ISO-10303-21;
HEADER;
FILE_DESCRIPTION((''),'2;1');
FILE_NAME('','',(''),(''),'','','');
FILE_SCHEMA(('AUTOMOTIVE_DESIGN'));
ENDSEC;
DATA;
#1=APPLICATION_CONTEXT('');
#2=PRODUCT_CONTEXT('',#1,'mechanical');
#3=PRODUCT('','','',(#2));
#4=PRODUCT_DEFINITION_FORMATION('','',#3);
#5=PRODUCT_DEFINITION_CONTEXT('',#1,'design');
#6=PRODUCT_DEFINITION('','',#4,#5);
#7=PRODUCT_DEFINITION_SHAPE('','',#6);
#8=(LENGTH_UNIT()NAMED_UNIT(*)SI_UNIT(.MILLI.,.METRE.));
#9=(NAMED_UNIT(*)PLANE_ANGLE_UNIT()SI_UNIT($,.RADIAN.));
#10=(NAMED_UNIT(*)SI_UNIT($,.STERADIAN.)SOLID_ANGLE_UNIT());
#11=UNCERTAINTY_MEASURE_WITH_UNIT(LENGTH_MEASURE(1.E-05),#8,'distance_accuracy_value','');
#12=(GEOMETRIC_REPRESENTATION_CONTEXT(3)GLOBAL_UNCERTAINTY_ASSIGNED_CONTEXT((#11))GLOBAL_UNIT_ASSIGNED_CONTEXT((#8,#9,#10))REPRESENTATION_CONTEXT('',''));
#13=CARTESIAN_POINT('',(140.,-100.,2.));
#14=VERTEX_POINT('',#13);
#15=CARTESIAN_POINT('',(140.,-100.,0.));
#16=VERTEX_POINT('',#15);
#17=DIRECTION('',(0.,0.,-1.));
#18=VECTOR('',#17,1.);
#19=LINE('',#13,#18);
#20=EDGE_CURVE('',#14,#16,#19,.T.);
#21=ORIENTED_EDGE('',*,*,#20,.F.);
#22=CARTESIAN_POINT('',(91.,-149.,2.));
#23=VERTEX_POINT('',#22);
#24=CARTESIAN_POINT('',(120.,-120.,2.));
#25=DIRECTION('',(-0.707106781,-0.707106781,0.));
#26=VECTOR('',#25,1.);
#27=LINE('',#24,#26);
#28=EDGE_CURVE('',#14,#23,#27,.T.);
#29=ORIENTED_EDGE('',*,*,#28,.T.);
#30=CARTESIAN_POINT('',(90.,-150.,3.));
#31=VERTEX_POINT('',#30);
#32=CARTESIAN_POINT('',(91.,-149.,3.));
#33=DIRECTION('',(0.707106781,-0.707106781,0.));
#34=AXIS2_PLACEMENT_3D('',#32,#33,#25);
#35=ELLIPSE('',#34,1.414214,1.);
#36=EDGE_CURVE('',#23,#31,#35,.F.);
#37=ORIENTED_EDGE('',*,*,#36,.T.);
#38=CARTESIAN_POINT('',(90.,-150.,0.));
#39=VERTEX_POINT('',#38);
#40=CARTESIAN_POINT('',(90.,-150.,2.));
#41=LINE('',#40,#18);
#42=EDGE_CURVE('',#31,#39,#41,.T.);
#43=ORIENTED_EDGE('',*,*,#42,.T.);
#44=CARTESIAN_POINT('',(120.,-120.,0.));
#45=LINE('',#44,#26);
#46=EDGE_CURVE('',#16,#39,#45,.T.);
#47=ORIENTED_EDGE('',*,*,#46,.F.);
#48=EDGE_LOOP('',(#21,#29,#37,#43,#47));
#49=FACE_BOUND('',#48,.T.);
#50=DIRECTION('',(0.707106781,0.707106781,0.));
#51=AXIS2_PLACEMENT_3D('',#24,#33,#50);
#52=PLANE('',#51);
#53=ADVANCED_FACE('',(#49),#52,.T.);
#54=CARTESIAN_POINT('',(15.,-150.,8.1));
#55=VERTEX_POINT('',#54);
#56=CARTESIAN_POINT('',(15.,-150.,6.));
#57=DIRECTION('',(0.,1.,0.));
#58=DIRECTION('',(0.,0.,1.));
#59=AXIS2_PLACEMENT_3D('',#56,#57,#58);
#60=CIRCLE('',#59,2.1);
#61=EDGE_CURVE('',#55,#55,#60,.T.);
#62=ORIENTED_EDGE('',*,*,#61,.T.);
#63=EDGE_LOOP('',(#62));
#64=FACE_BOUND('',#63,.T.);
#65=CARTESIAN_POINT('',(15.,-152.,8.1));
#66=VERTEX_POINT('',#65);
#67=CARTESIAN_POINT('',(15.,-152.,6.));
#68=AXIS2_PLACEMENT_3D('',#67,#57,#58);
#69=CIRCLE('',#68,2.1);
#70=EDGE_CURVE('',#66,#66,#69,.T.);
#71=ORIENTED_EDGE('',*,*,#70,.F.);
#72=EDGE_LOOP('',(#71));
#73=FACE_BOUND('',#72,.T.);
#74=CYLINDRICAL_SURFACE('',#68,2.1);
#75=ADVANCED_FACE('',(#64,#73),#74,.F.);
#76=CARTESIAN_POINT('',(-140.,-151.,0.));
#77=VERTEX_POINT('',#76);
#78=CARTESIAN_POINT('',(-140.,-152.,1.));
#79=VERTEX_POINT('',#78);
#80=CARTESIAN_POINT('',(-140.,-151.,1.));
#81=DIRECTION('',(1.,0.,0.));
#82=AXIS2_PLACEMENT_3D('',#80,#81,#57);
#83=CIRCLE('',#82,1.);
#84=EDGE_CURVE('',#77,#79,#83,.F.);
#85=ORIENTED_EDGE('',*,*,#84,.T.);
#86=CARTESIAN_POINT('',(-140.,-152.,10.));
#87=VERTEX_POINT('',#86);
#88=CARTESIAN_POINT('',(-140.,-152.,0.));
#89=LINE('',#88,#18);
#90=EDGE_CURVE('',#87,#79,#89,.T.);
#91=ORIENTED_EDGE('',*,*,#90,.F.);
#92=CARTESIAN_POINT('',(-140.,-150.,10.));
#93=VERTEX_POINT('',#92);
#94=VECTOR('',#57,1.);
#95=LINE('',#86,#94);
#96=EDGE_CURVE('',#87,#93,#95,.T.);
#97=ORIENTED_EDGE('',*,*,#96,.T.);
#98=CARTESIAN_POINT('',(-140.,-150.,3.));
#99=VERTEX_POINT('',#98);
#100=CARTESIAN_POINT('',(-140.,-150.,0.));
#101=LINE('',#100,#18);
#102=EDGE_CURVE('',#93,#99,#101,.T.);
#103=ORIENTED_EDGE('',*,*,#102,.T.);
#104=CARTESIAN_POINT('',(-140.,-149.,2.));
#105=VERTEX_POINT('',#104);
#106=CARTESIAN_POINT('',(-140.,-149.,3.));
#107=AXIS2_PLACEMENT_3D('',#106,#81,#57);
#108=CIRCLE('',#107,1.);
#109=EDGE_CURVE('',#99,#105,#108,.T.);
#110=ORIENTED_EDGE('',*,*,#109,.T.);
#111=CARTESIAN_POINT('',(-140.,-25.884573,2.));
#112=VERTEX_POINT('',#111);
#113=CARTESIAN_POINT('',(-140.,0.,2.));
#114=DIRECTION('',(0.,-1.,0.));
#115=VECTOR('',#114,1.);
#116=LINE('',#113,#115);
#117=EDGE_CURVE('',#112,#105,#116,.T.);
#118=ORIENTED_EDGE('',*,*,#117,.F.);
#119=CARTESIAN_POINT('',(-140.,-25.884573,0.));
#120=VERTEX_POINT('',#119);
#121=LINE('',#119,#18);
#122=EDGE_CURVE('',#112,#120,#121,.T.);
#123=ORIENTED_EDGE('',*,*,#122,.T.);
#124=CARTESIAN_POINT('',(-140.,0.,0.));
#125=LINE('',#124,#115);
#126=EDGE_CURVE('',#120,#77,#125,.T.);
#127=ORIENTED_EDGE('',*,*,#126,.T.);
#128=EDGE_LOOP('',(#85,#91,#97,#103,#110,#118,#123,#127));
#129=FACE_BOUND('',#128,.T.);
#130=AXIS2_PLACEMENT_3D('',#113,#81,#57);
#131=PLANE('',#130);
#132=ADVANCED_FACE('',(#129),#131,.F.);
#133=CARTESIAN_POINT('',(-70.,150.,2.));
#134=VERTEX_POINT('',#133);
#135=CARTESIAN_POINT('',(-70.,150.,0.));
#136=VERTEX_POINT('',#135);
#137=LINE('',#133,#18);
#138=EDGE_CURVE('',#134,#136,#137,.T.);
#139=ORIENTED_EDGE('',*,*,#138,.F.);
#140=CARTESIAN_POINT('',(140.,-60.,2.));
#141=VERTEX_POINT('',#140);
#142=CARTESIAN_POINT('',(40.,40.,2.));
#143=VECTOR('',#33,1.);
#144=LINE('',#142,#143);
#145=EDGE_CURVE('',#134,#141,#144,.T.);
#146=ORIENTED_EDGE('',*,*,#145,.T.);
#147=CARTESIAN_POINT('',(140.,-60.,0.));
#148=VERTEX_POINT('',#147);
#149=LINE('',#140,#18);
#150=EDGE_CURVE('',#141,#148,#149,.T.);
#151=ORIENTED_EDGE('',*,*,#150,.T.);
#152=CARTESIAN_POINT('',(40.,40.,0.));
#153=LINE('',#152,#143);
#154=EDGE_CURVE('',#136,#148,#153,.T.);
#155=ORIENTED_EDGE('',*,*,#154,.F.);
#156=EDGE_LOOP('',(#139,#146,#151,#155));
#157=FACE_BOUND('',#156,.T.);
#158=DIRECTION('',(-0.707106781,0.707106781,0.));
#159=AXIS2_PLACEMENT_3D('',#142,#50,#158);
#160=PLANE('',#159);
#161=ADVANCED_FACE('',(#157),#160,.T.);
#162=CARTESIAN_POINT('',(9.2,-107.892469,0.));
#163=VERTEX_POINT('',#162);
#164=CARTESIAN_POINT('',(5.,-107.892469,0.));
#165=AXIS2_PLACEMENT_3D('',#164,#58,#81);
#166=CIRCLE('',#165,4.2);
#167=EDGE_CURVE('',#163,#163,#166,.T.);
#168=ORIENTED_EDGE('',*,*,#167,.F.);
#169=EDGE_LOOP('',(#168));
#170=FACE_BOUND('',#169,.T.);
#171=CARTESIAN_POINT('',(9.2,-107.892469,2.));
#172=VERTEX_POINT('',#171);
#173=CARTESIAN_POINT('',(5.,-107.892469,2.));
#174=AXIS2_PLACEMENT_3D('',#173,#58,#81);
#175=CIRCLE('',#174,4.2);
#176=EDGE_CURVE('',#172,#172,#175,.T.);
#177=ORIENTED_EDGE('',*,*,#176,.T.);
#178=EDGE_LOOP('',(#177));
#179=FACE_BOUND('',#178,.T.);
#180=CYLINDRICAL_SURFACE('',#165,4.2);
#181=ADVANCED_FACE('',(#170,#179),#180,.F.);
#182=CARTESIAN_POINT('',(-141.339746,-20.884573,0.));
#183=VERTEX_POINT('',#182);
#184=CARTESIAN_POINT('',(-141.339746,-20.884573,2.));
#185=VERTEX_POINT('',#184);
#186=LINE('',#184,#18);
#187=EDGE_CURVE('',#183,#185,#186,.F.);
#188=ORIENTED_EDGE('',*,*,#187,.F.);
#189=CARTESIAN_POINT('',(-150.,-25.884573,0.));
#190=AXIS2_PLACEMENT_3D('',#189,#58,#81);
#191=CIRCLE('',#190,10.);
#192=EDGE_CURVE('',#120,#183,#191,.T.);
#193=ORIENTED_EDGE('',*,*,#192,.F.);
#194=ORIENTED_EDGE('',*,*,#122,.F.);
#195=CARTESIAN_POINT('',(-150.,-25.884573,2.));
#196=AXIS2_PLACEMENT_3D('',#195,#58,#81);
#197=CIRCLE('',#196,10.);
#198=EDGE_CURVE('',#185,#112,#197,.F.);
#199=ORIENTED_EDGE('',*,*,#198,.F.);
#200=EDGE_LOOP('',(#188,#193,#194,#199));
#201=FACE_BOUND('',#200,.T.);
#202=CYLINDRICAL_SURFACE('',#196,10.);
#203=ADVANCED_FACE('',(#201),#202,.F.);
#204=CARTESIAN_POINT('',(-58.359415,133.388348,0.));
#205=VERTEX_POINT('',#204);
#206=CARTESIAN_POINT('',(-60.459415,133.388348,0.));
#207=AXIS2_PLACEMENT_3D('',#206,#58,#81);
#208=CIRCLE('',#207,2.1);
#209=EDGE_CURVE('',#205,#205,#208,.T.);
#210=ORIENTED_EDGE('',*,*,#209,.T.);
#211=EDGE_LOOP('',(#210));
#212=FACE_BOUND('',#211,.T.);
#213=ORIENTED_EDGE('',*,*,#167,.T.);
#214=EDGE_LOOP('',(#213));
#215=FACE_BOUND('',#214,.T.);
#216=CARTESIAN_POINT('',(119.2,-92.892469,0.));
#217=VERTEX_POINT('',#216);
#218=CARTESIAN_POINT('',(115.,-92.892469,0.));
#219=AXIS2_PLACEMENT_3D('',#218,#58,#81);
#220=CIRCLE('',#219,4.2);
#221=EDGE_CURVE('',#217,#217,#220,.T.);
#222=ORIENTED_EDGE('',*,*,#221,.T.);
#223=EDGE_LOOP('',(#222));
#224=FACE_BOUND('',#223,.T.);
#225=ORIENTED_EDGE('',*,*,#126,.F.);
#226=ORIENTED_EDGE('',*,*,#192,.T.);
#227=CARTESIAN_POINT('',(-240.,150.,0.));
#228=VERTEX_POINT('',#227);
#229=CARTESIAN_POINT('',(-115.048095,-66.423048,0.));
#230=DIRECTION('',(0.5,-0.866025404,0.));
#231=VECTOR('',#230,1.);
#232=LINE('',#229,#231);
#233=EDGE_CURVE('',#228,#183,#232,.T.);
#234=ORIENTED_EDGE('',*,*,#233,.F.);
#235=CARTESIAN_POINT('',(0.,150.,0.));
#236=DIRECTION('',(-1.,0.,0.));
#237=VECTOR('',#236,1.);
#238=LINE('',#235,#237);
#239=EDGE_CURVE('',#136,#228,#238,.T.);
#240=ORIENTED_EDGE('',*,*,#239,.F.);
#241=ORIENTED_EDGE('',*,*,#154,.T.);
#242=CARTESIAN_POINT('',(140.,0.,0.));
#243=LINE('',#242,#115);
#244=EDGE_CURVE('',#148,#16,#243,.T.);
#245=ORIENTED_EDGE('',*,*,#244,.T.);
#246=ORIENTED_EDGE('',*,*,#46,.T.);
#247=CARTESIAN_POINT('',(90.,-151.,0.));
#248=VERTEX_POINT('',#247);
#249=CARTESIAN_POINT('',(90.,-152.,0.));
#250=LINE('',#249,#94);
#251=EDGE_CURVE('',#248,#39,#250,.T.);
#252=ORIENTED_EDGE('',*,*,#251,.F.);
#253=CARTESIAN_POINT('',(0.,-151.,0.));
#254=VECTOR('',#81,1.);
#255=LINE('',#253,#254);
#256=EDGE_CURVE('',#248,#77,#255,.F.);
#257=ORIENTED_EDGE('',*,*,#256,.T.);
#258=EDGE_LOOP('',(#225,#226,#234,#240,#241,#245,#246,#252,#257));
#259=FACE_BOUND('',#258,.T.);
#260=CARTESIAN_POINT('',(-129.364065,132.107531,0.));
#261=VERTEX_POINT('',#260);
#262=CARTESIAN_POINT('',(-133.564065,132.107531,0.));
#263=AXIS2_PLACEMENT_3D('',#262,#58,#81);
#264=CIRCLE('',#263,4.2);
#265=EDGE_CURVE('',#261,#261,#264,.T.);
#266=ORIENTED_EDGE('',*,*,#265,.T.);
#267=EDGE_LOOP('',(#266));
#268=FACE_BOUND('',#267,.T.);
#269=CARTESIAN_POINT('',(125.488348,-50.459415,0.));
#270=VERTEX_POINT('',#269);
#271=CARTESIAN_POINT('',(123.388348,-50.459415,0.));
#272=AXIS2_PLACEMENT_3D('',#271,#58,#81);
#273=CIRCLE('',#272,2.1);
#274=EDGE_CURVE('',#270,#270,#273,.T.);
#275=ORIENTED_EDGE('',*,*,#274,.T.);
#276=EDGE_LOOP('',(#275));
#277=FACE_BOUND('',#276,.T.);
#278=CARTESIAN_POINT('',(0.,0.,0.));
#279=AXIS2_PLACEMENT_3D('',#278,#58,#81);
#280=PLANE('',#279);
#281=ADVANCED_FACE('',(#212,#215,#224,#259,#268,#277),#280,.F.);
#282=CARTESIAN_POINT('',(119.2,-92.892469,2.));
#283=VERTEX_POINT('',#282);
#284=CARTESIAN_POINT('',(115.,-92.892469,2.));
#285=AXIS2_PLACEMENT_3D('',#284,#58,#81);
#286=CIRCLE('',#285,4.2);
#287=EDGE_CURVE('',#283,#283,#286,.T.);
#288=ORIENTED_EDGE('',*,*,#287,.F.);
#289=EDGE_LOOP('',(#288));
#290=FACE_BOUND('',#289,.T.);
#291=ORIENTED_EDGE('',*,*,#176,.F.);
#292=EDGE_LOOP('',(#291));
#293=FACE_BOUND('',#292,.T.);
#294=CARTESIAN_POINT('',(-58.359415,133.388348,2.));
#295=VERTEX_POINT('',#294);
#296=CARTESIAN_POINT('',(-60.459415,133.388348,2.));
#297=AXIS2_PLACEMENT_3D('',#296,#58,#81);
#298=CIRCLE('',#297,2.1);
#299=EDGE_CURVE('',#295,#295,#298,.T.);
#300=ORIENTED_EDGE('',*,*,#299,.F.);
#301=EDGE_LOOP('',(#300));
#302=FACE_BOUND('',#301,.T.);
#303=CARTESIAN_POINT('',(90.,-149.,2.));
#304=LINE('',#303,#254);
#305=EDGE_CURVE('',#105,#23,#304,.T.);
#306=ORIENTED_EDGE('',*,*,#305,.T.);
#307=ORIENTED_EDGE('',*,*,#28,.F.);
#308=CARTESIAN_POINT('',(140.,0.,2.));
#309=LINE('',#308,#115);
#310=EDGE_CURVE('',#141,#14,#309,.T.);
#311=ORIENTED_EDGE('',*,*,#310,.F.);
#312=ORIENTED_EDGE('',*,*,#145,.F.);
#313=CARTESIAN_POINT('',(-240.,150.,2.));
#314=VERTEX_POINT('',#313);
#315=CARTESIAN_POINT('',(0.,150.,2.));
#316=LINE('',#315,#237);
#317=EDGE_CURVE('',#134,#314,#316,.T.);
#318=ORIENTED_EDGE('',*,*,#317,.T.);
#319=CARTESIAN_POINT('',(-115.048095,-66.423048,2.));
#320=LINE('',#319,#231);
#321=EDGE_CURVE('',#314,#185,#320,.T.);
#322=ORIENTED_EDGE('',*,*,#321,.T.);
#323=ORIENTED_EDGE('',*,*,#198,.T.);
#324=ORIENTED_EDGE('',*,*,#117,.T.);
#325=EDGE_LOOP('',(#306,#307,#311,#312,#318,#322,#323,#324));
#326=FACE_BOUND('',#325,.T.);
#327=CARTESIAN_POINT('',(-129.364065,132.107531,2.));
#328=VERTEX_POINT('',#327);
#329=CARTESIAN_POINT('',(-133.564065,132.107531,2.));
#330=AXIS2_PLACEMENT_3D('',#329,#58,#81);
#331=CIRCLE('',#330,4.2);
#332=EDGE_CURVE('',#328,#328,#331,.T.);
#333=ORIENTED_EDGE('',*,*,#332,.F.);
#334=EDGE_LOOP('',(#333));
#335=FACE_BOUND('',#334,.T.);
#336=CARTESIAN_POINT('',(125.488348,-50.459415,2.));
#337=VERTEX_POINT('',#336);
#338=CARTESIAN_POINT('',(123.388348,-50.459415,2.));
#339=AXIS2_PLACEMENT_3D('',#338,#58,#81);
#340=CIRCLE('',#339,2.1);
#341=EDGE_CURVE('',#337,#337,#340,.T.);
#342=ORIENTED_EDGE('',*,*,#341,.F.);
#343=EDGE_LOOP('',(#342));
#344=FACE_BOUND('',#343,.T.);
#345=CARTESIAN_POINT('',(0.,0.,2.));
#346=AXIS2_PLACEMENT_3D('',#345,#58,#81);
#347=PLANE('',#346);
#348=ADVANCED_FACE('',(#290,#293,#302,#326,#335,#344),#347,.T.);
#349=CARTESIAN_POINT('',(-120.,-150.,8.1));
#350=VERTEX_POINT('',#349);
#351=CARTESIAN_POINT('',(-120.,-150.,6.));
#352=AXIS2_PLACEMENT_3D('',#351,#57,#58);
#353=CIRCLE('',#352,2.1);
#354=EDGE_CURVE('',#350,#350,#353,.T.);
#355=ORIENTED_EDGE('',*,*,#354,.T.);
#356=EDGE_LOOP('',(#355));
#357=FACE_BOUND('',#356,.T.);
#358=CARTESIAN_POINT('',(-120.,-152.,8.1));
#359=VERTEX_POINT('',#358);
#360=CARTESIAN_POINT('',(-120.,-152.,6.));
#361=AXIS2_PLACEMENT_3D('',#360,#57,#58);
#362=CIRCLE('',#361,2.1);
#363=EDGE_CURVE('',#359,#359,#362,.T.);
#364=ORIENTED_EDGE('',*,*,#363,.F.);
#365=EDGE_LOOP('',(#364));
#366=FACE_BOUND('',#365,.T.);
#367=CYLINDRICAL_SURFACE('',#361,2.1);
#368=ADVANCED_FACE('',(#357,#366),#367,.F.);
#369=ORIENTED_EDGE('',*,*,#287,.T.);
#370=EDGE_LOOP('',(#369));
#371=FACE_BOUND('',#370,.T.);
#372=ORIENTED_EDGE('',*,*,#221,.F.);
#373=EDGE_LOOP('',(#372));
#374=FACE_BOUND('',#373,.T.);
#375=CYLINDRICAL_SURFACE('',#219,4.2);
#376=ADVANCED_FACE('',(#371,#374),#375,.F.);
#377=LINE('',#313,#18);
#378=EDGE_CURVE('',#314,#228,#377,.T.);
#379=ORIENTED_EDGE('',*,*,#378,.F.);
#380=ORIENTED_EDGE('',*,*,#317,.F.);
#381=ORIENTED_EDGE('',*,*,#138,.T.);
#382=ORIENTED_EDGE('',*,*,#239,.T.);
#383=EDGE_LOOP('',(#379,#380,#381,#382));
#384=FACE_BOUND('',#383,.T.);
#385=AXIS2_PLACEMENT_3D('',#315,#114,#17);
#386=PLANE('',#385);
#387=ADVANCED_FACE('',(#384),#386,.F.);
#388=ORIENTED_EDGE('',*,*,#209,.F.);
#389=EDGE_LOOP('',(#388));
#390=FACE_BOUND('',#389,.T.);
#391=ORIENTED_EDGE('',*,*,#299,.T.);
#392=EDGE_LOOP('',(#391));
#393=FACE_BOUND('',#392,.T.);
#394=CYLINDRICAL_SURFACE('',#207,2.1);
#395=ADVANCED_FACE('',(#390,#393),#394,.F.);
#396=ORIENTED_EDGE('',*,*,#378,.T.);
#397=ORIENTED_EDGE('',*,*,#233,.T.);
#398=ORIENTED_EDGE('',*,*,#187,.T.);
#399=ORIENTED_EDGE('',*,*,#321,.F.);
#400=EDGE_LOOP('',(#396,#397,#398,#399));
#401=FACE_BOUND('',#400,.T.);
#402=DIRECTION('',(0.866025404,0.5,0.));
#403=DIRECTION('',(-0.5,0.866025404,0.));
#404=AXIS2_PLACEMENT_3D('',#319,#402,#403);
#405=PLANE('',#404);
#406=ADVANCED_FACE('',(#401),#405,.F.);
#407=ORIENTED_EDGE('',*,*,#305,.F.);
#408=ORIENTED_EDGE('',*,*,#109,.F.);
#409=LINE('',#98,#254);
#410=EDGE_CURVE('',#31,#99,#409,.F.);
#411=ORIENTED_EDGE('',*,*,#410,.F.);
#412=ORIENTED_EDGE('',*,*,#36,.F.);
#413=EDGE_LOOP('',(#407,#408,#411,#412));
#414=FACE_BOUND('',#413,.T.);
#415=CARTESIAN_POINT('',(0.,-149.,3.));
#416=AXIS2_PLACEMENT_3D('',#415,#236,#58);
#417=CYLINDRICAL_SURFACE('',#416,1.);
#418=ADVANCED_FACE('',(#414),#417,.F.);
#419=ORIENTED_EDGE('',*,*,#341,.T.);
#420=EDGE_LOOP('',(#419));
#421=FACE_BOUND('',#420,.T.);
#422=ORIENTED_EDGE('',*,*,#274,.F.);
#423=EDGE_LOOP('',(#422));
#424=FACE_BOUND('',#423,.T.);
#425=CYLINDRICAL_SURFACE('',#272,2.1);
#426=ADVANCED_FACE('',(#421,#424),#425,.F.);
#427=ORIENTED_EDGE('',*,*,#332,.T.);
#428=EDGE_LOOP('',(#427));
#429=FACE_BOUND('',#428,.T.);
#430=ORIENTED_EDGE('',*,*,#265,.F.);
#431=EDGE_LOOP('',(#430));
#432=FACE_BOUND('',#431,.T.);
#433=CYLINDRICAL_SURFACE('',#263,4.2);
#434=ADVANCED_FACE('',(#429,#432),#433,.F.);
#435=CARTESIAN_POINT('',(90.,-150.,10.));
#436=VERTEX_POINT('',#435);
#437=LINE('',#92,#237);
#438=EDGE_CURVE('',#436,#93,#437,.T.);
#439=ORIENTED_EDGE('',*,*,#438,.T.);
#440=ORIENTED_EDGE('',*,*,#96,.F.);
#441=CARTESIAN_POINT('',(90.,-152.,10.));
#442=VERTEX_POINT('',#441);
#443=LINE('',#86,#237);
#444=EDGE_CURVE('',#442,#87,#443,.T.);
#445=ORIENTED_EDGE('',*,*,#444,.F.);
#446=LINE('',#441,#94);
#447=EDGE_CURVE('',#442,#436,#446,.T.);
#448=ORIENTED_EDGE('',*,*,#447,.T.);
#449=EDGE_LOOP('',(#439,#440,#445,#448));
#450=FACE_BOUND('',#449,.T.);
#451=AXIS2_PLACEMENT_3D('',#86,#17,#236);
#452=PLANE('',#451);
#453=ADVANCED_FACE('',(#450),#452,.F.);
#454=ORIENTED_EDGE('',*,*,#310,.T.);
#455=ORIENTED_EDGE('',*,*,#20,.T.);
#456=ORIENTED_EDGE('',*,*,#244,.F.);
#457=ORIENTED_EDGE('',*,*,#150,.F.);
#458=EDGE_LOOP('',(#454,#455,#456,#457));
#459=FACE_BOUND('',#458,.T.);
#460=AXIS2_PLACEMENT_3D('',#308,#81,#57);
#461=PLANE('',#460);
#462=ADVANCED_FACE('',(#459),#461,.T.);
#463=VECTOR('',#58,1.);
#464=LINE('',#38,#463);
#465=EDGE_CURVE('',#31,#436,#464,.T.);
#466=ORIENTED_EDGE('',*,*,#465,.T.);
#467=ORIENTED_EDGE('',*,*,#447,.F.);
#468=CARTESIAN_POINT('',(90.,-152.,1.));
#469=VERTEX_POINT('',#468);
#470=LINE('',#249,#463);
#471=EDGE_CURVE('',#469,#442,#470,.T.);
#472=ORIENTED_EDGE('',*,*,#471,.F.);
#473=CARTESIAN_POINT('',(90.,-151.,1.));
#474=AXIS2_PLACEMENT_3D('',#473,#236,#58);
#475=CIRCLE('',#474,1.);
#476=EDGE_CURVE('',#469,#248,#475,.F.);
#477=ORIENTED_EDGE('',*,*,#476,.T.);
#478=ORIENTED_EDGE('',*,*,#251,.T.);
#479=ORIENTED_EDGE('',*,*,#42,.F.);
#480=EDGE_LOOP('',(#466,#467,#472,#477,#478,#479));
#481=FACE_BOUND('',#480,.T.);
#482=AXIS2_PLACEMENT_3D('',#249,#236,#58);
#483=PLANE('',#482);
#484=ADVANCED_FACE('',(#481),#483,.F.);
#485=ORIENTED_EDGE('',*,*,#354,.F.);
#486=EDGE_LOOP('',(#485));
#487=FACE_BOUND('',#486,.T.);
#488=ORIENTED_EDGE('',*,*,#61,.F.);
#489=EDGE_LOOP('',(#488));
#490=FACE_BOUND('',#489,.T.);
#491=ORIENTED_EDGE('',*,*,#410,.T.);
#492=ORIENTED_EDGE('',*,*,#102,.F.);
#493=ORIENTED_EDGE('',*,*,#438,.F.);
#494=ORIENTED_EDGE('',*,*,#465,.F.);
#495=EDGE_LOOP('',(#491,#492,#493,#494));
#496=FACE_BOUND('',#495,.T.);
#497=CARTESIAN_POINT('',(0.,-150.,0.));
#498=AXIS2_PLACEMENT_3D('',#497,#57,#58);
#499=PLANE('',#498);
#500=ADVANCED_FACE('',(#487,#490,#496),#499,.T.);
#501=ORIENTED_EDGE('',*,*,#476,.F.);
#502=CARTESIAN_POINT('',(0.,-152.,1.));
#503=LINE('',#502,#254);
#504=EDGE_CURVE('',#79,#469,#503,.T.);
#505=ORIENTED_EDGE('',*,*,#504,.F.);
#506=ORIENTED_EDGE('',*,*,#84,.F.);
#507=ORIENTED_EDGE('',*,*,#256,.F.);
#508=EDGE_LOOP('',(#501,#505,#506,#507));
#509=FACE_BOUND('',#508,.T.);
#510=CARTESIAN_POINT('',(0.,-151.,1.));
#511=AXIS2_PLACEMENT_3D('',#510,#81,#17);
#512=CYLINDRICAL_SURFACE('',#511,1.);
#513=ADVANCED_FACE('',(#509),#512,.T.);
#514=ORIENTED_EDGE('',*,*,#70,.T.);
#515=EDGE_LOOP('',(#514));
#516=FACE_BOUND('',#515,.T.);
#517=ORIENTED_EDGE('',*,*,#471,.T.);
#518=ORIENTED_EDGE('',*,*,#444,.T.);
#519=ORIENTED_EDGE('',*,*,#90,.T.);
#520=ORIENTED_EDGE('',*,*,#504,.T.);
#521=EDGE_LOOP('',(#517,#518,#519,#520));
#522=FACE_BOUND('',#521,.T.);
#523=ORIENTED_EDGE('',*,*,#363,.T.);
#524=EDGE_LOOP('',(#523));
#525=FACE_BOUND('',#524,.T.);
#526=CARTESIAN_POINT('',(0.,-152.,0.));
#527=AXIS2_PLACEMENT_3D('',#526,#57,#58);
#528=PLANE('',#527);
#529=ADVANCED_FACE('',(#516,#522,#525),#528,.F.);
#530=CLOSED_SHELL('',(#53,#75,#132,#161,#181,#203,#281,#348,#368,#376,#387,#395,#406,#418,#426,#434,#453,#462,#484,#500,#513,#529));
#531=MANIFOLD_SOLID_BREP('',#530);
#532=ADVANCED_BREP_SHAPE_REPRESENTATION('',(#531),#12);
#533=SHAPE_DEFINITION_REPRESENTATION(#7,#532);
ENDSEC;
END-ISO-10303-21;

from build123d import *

# Parameters (mm, degrees)
BOSS_EXTRU_1_DEPTH      = 2
ESQUISSE2_W             = 230
ESQUISSE2_H             = 10
BOSS_EXTRU_2_DEPTH      = 2
CONG_1_R                = 1
ESQUISSE3_R             = 4.2
ENL_V_MAT_EXTRU_1_DEPTH = 285.197114693
ESQUISSE5_R             = 2.1
ENL_V_MAT_EXTRU_2_DEPTH = 385.317577012
ESQUISSE6_R             = 2.1
ENL_V_MAT_EXTRU_3_DEPTH = 285.197114693
CONG_2_R                = 10


with BuildPart() as part:
    # Esquisse1 → Boss.-Extru.1 (new body)
    with BuildSketch(Plane.XY):
        Polygon((140, -60), (-70, 150), (-140, 150), (-240, 150), (-140, -23.205080757), (-140, -150), (90, -150), (140, -100), align=None)
    extrude(amount=BOSS_EXTRU_1_DEPTH)

    # Esquisse2 → Boss.-Extru.2 (add)
    with BuildSketch(Plane.XZ.offset(150)):
        with Locations((-25, 5)):
            Rectangle(ESQUISSE2_W, ESQUISSE2_H)
    extrude(amount=BOSS_EXTRU_2_DEPTH)

    # Congé1
    cong_1_edges = [part.edges().sort_by_distance(p)[0] for p in [
        (-25, -152, 0),
        (-25, -150, 2),
    ]]
    fillet(cong_1_edges, radius=CONG_1_R)

    # Esquisse3 → Enlèv. mat.-Extru.1 (cut, through all)
    with BuildSketch(Plane.XY.offset(2)):
        with Locations((-133.564064606, 132.10753113)):
            Circle(ESQUISSE3_R)
        with Locations((5, -107.89246887)):
            Circle(ESQUISSE3_R)
        with Locations((115, -92.89246887)):
            Circle(ESQUISSE3_R)
    extrude(amount=-ENL_V_MAT_EXTRU_1_DEPTH, mode=Mode.SUBTRACT)

    # Esquisse5 → Enlèv. mat.-Extru.2 (cut, through all)
    with BuildSketch(Plane(origin=(0, -150, 0), x_dir=(1, 0, 0), z_dir=(0, 1, 0))):
        with Locations(Location((15, -6, 0), (0, 0, 270))):
            Circle(ESQUISSE5_R)
        with Locations(Location((-120, -6, 0), (0, 0, 270))):
            Circle(ESQUISSE5_R)
    extrude(amount=-ENL_V_MAT_EXTRU_2_DEPTH, mode=Mode.SUBTRACT)

    # Esquisse6 → Enlèv. mat.-Extru.3 (cut, through all)
    with BuildSketch(Plane.XY.offset(2)):
        with Locations((123.388347648, -50.45941546)):
            Circle(ESQUISSE6_R)
        with Locations((-60.45941546, 133.388347648)):
            Circle(ESQUISSE6_R)
    extrude(amount=-ENL_V_MAT_EXTRU_3_DEPTH, mode=Mode.SUBTRACT)

    # Congé2
    cong_2_edges = [part.edges().sort_by_distance(p)[0] for p in [
        (-140, -23.205080757, 1),
    ]]
    fillet(cong_2_edges, radius=CONG_2_R)


solid = part.part
